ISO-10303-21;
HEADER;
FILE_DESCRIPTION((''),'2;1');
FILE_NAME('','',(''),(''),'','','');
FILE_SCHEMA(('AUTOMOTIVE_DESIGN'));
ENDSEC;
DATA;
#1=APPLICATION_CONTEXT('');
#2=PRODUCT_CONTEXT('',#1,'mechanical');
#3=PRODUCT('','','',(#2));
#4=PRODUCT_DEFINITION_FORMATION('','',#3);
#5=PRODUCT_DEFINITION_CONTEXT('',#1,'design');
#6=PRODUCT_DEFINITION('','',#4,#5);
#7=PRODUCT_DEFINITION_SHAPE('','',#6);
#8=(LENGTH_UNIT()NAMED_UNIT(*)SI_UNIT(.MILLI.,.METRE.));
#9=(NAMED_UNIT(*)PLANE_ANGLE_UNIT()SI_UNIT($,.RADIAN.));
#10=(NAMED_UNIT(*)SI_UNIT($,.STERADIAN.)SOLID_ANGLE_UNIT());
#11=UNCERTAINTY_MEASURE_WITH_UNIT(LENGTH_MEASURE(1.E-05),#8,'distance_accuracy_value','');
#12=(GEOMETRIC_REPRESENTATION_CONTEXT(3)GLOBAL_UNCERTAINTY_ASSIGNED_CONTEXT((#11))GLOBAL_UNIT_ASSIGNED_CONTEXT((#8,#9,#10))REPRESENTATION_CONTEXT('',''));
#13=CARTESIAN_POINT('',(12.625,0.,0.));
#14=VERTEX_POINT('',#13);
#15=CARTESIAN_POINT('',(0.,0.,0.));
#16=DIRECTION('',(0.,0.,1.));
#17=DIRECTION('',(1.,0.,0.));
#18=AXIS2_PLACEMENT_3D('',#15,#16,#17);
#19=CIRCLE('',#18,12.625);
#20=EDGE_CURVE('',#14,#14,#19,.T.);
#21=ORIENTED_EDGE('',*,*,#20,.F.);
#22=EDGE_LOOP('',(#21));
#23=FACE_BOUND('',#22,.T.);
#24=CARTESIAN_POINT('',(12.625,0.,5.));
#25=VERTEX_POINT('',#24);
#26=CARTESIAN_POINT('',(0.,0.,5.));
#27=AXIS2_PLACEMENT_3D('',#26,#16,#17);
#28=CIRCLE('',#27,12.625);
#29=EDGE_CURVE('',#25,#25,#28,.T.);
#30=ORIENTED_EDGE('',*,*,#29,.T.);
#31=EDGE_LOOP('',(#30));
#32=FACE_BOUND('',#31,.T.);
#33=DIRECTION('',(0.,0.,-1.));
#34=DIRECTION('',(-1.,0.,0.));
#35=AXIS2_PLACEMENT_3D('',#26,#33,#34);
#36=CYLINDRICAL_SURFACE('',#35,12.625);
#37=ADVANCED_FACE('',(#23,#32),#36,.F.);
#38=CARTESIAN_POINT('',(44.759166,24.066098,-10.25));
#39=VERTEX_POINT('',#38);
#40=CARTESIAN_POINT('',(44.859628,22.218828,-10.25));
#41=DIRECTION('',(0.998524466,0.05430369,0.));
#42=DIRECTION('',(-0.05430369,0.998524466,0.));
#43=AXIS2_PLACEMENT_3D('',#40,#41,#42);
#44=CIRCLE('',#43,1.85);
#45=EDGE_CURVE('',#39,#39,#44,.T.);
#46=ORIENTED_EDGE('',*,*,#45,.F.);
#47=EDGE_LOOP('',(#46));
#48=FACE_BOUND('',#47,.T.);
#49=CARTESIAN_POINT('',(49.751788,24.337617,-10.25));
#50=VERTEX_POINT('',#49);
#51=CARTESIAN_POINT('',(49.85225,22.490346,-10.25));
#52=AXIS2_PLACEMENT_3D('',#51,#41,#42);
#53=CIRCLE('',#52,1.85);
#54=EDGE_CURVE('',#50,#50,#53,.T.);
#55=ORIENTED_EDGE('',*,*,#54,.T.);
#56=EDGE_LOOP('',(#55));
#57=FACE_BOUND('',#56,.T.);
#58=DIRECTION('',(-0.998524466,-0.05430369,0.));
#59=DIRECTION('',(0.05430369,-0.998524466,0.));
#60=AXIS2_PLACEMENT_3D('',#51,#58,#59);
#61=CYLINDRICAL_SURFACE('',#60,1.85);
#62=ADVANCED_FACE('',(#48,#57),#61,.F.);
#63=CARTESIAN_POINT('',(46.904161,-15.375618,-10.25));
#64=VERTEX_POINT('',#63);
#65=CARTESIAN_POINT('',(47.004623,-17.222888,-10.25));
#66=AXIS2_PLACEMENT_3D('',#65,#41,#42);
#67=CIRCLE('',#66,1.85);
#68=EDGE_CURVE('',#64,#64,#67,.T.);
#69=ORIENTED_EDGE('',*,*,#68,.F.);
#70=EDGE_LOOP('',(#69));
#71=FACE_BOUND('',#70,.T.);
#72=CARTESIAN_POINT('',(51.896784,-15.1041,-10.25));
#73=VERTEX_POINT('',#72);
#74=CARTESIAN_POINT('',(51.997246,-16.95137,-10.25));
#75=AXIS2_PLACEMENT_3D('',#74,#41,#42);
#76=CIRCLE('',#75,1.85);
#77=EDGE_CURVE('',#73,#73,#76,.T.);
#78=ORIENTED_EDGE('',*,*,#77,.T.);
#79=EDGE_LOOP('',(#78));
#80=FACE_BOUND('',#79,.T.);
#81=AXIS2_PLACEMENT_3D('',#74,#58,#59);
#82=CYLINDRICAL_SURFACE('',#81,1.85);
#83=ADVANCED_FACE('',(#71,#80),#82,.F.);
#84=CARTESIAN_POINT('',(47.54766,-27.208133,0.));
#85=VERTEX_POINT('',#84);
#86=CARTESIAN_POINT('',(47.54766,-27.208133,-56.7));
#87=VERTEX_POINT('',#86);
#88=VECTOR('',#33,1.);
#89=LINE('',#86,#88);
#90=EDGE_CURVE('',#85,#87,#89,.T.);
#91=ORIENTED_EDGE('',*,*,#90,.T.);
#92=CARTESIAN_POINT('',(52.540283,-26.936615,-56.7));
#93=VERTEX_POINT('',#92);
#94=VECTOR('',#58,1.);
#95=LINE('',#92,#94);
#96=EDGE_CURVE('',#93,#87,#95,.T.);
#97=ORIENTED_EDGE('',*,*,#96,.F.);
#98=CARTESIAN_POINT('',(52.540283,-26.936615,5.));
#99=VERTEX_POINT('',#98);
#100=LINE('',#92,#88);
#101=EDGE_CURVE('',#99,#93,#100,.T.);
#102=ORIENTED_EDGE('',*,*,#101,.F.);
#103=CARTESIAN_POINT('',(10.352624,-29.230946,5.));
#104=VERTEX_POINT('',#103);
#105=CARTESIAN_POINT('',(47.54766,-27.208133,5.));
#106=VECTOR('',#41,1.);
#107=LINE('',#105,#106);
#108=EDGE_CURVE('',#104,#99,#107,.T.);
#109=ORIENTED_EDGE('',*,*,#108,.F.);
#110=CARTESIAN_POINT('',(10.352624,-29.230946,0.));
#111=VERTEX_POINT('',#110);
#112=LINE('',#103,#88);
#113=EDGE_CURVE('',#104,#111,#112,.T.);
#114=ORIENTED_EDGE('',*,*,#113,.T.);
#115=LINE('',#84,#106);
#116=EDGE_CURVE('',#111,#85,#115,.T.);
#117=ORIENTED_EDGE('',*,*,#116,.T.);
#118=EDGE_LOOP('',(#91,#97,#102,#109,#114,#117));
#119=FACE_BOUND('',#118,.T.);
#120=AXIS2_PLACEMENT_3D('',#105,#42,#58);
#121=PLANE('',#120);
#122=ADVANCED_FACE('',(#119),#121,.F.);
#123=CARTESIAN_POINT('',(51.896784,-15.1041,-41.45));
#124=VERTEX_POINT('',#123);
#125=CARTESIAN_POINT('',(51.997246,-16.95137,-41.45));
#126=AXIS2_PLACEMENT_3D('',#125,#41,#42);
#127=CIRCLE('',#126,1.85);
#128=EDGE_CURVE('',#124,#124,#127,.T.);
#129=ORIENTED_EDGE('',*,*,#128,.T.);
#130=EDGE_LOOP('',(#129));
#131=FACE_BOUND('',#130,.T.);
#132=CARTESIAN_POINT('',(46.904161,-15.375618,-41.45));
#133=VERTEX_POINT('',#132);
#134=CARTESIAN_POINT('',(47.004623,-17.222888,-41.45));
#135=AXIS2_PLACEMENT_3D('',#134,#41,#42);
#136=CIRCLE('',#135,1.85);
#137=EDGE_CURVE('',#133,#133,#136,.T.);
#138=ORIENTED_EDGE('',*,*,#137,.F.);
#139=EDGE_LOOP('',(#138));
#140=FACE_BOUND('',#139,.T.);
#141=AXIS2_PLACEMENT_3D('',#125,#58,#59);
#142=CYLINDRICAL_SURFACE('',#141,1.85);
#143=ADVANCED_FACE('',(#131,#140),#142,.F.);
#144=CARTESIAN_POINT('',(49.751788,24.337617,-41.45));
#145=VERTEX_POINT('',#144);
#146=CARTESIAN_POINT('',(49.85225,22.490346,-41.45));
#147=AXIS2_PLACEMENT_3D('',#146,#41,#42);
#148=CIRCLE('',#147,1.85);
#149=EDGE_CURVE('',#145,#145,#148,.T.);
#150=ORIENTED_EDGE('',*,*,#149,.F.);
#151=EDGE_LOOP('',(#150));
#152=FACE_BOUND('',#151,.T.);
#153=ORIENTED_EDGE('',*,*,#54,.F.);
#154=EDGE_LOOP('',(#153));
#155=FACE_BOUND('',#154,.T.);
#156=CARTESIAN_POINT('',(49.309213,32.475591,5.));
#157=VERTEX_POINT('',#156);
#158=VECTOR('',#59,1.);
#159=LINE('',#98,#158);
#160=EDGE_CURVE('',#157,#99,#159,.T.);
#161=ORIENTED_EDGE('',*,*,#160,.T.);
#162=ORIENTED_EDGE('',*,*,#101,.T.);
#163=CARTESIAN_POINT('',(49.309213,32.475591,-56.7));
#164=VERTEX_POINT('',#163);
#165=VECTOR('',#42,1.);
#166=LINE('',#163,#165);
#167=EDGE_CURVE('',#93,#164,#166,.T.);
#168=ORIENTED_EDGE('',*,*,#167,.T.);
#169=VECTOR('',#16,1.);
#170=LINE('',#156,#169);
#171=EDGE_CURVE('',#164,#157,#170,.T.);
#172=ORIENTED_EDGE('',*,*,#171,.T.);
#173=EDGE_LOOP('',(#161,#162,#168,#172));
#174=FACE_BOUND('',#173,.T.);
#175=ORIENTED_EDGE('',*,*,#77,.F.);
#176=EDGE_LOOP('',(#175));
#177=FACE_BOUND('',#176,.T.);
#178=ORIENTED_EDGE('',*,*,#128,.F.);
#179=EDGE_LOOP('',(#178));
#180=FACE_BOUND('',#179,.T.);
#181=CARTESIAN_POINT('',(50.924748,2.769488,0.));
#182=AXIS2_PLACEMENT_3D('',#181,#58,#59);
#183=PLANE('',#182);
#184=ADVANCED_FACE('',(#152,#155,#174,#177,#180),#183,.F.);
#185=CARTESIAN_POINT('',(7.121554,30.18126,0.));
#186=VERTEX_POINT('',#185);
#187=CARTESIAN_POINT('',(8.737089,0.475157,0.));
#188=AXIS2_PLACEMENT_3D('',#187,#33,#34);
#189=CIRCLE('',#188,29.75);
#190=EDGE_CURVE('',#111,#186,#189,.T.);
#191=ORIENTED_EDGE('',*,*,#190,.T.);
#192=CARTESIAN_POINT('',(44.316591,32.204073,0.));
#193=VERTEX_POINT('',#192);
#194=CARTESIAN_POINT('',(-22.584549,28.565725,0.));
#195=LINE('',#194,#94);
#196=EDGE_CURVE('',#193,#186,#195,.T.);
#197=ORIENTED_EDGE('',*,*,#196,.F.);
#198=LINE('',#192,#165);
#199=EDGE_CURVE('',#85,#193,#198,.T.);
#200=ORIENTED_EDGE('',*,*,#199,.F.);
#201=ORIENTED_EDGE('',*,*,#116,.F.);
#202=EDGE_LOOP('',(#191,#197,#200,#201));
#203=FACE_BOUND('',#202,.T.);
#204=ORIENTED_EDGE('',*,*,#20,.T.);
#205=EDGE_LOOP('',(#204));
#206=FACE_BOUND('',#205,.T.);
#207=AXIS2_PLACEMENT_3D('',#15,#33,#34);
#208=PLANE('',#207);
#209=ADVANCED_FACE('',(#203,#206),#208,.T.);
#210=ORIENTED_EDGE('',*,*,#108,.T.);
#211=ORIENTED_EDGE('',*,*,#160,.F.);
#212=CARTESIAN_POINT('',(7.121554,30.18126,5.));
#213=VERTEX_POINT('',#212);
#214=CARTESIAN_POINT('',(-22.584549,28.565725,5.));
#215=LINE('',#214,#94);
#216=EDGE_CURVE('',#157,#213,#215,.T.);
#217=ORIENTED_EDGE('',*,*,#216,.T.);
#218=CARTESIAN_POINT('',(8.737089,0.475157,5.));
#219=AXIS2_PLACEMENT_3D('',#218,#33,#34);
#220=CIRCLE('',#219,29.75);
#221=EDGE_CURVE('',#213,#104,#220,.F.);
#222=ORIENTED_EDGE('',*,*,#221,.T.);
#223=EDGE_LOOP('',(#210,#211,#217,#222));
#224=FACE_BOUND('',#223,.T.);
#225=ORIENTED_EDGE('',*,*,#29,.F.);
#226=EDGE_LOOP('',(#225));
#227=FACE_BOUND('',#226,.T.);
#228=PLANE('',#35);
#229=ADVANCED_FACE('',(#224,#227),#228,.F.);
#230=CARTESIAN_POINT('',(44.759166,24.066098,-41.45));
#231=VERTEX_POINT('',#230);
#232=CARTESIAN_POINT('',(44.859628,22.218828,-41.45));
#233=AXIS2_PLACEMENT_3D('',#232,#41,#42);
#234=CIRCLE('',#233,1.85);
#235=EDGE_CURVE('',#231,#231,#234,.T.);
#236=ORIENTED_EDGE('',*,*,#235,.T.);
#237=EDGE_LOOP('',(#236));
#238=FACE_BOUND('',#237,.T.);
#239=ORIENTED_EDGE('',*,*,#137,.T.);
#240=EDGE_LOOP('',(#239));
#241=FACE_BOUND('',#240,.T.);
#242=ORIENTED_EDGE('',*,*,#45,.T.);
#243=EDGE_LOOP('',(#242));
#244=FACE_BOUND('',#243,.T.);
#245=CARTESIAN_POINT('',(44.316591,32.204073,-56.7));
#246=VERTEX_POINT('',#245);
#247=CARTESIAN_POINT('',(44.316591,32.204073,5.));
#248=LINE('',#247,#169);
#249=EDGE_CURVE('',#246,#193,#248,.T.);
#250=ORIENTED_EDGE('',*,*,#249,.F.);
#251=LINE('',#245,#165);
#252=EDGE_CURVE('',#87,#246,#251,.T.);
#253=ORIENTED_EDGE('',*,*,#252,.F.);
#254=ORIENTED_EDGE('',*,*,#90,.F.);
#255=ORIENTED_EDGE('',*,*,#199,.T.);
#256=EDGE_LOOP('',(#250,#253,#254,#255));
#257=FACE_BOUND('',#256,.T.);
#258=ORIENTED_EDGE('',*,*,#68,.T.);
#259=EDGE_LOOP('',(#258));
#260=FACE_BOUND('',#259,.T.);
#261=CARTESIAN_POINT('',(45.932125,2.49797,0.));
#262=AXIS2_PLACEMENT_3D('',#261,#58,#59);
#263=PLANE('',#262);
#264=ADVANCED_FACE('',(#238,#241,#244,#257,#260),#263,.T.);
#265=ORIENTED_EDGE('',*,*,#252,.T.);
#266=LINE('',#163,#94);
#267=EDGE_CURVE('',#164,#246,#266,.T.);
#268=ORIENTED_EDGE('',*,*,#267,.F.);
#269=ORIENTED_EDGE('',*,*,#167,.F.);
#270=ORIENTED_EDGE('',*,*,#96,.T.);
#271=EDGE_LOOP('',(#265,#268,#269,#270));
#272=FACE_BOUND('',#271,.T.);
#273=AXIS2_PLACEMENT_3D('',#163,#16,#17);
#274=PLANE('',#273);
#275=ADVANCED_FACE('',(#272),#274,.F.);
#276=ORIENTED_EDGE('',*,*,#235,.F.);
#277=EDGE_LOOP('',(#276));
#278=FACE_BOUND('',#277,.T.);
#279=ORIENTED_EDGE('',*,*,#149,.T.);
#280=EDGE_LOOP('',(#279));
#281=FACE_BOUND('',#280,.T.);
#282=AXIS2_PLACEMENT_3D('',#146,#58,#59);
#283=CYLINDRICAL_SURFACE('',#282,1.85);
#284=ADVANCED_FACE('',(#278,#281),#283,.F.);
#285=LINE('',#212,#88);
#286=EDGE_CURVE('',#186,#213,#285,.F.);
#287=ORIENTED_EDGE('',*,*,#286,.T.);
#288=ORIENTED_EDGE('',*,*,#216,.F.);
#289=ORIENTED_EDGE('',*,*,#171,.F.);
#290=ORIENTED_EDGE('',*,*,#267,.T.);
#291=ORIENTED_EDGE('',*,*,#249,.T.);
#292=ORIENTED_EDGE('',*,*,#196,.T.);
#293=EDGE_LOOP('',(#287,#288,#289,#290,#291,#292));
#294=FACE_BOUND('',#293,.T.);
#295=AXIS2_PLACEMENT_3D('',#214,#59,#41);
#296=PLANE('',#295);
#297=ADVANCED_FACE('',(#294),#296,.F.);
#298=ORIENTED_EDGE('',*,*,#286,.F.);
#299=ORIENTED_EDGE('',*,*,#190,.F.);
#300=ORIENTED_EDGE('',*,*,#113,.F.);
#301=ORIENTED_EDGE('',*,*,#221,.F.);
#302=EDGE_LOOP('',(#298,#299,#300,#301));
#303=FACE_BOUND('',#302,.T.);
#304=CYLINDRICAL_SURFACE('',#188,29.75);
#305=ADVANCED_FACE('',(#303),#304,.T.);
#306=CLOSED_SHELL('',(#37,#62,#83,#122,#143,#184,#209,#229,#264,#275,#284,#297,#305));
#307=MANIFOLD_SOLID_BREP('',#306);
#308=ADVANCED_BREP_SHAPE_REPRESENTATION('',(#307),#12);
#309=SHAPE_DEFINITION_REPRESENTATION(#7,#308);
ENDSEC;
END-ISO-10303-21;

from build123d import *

# Parameters (mm, degrees)
SKETCH1_R           = 12.625
BOSS_EXTRUDE1_DEPTH = 5
SKETCH2_W           = 61.7
SKETCH2_H           = 59.5
SKETCH2_R           = 1.85
BOSS_EXTRUDE2_DEPTH = 5
FILLET1_RADIUS      = 29.75
FILLET1_LENGTH      = 5


with BuildPart() as part:
    # Sketch1 → Boss-Extrude1 (new body)
    with BuildSketch(Plane.XY):
        Polygon((-22.584548564, 28.565725374), (44.316590659, 32.204072605), (47.547660215, -27.208133124), (-19.353479009, -30.846480354), align=None)
        Circle(SKETCH1_R, mode=Mode.SUBTRACT)
    extrude(amount=BOSS_EXTRUDE1_DEPTH)

    # Sketch2 → Boss-Extrude2 (add)
    with BuildSketch(Plane(origin=(45.932125437, 2.49796974, 0), x_dir=(0, 0, -1), z_dir=(0.9985244660253657, 0.05430369001051772, 0))):
        with Locations((25.85, 0)):
            Rectangle(SKETCH2_W, SKETCH2_H)
        with Locations(Location((10.25, 19.75, 0), (0, 0, 90))):
            Circle(SKETCH2_R, mode=Mode.SUBTRACT)
        with Locations(Location((41.45, 19.75, 0), (0, 0, 90))):
            Circle(SKETCH2_R, mode=Mode.SUBTRACT)
        with Locations(Location((41.45, -19.75, 0), (0, 0, 90))):
            Circle(SKETCH2_R, mode=Mode.SUBTRACT)
        with Locations(Location((10.25, -19.75, 0), (0, 0, 90))):
            Circle(SKETCH2_R, mode=Mode.SUBTRACT)
    extrude(amount=BOSS_EXTRUDE2_DEPTH)

    # Fillet1: full round fillet: the end face becomes a half cylinder, R = half its width
    fillet1_face = Plane((-20.969013787, -1.14037749, 2.5), x_dir=(0, 0, -1), z_dir=(-0.998524466025, -0.054303690011, 0))  # on the end face: x along it, z out of the body
    fillet1_slab = fillet1_face.offset(-FILLET1_RADIUS / 2) * Box(FILLET1_LENGTH, 2 * FILLET1_RADIUS, FILLET1_RADIUS, mode=Mode.PRIVATE)  # the body's end, R deep
    fillet1_round = Plane((8.737089077, 0.475157288, 2.5), x_dir=(-0.998524466025, -0.054303690011, 0), z_dir=(0, 0, -1)) * Cylinder(FILLET1_RADIUS, FILLET1_LENGTH, mode=Mode.PRIVATE)  # its axis R under the face
    add(fillet1_slab - fillet1_round, mode=Mode.SUBTRACT)


solid = part.part
